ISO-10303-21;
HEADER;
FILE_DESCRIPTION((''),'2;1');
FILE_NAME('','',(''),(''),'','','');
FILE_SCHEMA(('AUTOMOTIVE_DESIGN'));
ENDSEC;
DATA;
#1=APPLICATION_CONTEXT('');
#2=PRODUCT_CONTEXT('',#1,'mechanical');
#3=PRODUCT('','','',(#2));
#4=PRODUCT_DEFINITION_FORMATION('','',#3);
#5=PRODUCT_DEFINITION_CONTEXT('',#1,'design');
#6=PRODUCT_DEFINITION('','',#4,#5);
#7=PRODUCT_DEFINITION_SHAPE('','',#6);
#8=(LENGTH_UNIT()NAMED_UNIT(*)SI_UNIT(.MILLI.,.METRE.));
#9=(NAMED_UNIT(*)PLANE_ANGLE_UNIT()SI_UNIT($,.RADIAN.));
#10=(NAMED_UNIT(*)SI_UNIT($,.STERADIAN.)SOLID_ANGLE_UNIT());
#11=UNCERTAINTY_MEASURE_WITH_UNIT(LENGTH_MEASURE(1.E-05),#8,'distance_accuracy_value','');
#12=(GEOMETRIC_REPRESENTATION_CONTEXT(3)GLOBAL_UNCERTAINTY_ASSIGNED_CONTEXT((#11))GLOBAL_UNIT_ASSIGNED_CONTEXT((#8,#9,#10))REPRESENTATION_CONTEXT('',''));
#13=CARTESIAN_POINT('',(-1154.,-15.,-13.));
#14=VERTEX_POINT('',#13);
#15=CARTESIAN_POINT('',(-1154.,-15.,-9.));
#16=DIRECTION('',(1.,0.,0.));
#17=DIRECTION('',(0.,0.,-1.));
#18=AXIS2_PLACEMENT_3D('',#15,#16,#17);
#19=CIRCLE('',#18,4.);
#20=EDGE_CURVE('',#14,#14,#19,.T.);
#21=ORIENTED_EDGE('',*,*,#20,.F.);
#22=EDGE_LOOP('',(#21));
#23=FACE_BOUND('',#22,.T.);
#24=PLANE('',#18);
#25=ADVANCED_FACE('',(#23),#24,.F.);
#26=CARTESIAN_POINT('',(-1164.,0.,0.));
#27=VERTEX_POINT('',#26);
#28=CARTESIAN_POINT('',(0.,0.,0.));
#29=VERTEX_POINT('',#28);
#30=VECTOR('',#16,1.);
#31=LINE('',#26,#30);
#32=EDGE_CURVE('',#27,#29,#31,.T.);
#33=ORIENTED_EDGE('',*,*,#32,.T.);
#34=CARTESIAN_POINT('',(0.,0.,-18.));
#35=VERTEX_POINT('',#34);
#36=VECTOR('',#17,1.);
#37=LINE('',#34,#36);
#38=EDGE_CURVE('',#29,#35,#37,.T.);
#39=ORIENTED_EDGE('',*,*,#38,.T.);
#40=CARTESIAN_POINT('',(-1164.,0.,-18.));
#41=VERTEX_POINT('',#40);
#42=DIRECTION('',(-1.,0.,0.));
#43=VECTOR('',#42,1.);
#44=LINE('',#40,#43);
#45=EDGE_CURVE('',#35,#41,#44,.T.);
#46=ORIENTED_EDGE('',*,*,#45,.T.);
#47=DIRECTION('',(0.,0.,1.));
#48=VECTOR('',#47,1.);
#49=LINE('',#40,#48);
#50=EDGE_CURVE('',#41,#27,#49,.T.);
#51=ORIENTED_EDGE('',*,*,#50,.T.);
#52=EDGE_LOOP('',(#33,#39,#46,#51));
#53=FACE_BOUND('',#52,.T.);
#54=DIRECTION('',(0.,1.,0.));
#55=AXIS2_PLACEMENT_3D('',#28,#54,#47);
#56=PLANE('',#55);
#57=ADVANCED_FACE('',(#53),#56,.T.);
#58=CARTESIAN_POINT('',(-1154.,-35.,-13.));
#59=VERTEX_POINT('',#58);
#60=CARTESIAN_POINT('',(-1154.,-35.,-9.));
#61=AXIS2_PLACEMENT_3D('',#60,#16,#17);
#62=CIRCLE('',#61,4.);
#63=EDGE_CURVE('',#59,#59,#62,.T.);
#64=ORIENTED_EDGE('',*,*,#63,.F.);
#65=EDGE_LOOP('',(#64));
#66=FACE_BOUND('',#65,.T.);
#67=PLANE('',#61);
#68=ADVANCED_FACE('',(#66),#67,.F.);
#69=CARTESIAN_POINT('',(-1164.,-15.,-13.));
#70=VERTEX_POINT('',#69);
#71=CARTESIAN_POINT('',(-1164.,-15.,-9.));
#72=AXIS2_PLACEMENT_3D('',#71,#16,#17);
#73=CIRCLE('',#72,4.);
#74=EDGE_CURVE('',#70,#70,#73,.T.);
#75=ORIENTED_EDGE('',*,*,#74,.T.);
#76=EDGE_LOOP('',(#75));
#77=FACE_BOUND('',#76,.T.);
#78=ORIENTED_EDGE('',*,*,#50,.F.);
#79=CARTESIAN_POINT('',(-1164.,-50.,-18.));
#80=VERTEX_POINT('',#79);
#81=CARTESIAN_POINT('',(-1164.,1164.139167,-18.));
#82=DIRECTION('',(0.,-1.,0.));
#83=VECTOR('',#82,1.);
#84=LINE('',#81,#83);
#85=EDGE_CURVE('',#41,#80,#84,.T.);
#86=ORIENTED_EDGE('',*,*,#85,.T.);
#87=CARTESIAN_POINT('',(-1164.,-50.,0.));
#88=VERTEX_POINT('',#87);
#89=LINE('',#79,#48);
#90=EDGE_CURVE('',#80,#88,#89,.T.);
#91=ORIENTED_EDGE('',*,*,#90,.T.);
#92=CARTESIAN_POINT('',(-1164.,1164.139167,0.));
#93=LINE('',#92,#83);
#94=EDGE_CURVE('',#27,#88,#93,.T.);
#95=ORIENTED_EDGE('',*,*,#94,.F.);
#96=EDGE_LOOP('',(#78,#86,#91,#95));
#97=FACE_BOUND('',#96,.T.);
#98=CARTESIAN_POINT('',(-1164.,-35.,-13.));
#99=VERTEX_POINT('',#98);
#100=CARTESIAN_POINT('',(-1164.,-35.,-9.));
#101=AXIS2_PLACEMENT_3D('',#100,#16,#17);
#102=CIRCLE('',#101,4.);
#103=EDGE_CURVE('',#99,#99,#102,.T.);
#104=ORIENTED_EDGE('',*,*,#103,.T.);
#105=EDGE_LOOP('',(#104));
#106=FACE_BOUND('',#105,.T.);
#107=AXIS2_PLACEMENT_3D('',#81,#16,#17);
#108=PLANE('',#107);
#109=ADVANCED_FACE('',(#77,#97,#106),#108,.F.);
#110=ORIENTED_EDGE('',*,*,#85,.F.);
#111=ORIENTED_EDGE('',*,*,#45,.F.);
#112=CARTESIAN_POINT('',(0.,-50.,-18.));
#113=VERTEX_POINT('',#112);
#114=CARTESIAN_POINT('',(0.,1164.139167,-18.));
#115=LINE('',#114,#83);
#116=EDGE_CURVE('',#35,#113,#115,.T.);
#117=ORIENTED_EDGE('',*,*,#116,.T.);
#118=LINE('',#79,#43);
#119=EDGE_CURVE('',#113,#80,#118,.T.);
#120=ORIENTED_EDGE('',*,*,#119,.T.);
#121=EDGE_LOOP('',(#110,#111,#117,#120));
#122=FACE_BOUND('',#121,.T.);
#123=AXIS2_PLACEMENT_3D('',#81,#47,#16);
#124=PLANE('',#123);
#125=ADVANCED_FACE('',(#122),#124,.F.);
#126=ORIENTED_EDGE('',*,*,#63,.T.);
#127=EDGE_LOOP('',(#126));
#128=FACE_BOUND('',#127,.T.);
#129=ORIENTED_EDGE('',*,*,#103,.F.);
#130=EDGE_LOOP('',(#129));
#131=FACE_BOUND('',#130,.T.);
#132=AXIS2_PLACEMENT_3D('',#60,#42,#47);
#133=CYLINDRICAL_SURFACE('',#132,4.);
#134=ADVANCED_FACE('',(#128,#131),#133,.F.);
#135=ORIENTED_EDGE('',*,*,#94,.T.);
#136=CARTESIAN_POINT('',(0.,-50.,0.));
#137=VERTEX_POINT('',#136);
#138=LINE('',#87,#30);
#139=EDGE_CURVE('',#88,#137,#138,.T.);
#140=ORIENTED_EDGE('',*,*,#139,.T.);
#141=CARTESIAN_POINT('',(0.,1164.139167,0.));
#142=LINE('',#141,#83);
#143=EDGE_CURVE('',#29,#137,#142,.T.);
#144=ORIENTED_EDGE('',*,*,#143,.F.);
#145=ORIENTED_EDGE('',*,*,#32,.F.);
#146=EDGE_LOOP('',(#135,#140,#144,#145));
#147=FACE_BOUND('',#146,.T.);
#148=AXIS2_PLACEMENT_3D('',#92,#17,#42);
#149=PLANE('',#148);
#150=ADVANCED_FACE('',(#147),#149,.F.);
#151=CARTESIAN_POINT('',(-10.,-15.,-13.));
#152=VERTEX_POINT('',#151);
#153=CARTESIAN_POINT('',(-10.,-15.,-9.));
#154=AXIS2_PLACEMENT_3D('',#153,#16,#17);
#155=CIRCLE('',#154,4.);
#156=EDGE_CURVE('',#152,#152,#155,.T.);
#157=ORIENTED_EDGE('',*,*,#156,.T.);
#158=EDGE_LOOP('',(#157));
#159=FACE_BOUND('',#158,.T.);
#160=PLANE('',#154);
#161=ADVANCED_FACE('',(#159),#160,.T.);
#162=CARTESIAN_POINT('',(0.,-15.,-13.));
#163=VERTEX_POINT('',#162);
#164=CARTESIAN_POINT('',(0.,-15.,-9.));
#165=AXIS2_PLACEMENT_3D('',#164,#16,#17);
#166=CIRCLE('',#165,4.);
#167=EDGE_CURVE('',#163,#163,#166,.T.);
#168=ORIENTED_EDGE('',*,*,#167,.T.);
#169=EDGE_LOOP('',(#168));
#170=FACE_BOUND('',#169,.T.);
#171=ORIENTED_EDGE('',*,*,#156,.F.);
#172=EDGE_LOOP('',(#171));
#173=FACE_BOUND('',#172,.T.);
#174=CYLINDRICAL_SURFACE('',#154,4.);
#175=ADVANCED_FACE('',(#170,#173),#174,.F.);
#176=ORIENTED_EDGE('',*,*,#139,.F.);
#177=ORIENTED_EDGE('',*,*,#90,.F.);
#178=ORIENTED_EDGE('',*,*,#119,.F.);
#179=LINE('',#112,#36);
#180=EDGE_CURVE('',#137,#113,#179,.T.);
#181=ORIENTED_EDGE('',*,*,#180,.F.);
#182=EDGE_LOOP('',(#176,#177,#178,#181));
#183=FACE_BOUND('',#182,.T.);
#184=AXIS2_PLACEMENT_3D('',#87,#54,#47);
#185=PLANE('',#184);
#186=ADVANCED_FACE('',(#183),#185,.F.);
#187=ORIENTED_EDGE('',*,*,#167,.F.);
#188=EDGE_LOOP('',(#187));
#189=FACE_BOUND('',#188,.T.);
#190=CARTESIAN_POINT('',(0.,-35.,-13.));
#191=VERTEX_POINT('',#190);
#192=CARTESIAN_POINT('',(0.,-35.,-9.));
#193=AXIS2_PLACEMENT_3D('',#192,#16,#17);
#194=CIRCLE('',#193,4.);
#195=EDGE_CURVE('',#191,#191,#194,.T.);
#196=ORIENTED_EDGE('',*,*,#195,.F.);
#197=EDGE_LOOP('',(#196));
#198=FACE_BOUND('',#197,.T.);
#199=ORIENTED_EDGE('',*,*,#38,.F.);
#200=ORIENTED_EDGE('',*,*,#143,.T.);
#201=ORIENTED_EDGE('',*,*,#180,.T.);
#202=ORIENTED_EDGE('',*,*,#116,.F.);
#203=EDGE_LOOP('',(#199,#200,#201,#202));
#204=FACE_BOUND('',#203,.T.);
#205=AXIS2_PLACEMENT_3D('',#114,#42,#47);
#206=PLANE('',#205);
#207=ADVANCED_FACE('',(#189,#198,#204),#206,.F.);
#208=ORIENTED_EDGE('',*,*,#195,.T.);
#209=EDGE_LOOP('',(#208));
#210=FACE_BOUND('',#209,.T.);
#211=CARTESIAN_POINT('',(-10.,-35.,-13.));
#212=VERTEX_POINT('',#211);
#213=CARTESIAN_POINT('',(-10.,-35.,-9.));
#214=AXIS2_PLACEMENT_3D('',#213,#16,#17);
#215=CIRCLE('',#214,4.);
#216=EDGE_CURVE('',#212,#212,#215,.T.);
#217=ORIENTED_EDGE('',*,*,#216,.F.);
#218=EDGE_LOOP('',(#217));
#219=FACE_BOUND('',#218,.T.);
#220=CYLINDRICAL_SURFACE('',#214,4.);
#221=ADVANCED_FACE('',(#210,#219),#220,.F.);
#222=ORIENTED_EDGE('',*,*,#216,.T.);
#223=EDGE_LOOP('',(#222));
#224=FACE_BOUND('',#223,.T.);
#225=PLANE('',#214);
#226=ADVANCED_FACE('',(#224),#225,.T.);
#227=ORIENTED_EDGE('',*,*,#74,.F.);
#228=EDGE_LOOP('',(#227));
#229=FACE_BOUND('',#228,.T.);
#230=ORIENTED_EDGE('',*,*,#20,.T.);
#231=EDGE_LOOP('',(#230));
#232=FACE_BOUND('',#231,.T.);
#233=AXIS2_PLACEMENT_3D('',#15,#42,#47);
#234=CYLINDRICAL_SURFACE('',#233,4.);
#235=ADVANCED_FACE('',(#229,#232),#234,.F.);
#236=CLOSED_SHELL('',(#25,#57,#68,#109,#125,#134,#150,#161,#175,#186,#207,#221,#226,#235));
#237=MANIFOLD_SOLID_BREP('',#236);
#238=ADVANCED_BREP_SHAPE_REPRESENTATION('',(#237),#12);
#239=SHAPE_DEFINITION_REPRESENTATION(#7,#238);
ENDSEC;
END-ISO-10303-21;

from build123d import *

# Parameters (mm, degrees)
SKETCH1_W      = 1164
SKETCH1_H      = 18
PLINTH_DEPTH   = 50
SKETCH2_R      = 4
EXTRUDE1_DEPTH = 10
EXTRUDE2_START = 10
SKETCH3_R      = 4
EXTRUDE2_DEPTH = 10


with BuildPart() as part:
    # Sketch1 → Plinth (new body)
    with BuildSketch(Plane(origin=(0, -50, 0), x_dir=(-1, 0, 0), z_dir=(0, 1, 0))):
        with Locations((582, -9)):
            Rectangle(SKETCH1_W, SKETCH1_H)
    extrude(amount=PLINTH_DEPTH)

    # Sketch2 → Extrude1 (cut)
    with BuildSketch(Plane(origin=(0, 0, 0), x_dir=(0, 0, -1), z_dir=(1, 0, 0))):
        with Locations((9, -15)):
            Circle(SKETCH2_R)
        with Locations((9, -35)):
            Circle(SKETCH2_R)
    extrude(amount=-EXTRUDE1_DEPTH, mode=Mode.SUBTRACT)

    # Sketch3 → Extrude2 (cut)
    with BuildSketch(Plane(origin=(-1164, 0, 0), x_dir=(0, 0, -1), z_dir=(1, 0, 0)).offset(EXTRUDE2_START)):
        with Locations((9, -35)):
            Circle(SKETCH3_R)
        with Locations((9, -15)):
            Circle(SKETCH3_R)
    extrude(amount=-EXTRUDE2_DEPTH, mode=Mode.SUBTRACT)


solid = part.part
